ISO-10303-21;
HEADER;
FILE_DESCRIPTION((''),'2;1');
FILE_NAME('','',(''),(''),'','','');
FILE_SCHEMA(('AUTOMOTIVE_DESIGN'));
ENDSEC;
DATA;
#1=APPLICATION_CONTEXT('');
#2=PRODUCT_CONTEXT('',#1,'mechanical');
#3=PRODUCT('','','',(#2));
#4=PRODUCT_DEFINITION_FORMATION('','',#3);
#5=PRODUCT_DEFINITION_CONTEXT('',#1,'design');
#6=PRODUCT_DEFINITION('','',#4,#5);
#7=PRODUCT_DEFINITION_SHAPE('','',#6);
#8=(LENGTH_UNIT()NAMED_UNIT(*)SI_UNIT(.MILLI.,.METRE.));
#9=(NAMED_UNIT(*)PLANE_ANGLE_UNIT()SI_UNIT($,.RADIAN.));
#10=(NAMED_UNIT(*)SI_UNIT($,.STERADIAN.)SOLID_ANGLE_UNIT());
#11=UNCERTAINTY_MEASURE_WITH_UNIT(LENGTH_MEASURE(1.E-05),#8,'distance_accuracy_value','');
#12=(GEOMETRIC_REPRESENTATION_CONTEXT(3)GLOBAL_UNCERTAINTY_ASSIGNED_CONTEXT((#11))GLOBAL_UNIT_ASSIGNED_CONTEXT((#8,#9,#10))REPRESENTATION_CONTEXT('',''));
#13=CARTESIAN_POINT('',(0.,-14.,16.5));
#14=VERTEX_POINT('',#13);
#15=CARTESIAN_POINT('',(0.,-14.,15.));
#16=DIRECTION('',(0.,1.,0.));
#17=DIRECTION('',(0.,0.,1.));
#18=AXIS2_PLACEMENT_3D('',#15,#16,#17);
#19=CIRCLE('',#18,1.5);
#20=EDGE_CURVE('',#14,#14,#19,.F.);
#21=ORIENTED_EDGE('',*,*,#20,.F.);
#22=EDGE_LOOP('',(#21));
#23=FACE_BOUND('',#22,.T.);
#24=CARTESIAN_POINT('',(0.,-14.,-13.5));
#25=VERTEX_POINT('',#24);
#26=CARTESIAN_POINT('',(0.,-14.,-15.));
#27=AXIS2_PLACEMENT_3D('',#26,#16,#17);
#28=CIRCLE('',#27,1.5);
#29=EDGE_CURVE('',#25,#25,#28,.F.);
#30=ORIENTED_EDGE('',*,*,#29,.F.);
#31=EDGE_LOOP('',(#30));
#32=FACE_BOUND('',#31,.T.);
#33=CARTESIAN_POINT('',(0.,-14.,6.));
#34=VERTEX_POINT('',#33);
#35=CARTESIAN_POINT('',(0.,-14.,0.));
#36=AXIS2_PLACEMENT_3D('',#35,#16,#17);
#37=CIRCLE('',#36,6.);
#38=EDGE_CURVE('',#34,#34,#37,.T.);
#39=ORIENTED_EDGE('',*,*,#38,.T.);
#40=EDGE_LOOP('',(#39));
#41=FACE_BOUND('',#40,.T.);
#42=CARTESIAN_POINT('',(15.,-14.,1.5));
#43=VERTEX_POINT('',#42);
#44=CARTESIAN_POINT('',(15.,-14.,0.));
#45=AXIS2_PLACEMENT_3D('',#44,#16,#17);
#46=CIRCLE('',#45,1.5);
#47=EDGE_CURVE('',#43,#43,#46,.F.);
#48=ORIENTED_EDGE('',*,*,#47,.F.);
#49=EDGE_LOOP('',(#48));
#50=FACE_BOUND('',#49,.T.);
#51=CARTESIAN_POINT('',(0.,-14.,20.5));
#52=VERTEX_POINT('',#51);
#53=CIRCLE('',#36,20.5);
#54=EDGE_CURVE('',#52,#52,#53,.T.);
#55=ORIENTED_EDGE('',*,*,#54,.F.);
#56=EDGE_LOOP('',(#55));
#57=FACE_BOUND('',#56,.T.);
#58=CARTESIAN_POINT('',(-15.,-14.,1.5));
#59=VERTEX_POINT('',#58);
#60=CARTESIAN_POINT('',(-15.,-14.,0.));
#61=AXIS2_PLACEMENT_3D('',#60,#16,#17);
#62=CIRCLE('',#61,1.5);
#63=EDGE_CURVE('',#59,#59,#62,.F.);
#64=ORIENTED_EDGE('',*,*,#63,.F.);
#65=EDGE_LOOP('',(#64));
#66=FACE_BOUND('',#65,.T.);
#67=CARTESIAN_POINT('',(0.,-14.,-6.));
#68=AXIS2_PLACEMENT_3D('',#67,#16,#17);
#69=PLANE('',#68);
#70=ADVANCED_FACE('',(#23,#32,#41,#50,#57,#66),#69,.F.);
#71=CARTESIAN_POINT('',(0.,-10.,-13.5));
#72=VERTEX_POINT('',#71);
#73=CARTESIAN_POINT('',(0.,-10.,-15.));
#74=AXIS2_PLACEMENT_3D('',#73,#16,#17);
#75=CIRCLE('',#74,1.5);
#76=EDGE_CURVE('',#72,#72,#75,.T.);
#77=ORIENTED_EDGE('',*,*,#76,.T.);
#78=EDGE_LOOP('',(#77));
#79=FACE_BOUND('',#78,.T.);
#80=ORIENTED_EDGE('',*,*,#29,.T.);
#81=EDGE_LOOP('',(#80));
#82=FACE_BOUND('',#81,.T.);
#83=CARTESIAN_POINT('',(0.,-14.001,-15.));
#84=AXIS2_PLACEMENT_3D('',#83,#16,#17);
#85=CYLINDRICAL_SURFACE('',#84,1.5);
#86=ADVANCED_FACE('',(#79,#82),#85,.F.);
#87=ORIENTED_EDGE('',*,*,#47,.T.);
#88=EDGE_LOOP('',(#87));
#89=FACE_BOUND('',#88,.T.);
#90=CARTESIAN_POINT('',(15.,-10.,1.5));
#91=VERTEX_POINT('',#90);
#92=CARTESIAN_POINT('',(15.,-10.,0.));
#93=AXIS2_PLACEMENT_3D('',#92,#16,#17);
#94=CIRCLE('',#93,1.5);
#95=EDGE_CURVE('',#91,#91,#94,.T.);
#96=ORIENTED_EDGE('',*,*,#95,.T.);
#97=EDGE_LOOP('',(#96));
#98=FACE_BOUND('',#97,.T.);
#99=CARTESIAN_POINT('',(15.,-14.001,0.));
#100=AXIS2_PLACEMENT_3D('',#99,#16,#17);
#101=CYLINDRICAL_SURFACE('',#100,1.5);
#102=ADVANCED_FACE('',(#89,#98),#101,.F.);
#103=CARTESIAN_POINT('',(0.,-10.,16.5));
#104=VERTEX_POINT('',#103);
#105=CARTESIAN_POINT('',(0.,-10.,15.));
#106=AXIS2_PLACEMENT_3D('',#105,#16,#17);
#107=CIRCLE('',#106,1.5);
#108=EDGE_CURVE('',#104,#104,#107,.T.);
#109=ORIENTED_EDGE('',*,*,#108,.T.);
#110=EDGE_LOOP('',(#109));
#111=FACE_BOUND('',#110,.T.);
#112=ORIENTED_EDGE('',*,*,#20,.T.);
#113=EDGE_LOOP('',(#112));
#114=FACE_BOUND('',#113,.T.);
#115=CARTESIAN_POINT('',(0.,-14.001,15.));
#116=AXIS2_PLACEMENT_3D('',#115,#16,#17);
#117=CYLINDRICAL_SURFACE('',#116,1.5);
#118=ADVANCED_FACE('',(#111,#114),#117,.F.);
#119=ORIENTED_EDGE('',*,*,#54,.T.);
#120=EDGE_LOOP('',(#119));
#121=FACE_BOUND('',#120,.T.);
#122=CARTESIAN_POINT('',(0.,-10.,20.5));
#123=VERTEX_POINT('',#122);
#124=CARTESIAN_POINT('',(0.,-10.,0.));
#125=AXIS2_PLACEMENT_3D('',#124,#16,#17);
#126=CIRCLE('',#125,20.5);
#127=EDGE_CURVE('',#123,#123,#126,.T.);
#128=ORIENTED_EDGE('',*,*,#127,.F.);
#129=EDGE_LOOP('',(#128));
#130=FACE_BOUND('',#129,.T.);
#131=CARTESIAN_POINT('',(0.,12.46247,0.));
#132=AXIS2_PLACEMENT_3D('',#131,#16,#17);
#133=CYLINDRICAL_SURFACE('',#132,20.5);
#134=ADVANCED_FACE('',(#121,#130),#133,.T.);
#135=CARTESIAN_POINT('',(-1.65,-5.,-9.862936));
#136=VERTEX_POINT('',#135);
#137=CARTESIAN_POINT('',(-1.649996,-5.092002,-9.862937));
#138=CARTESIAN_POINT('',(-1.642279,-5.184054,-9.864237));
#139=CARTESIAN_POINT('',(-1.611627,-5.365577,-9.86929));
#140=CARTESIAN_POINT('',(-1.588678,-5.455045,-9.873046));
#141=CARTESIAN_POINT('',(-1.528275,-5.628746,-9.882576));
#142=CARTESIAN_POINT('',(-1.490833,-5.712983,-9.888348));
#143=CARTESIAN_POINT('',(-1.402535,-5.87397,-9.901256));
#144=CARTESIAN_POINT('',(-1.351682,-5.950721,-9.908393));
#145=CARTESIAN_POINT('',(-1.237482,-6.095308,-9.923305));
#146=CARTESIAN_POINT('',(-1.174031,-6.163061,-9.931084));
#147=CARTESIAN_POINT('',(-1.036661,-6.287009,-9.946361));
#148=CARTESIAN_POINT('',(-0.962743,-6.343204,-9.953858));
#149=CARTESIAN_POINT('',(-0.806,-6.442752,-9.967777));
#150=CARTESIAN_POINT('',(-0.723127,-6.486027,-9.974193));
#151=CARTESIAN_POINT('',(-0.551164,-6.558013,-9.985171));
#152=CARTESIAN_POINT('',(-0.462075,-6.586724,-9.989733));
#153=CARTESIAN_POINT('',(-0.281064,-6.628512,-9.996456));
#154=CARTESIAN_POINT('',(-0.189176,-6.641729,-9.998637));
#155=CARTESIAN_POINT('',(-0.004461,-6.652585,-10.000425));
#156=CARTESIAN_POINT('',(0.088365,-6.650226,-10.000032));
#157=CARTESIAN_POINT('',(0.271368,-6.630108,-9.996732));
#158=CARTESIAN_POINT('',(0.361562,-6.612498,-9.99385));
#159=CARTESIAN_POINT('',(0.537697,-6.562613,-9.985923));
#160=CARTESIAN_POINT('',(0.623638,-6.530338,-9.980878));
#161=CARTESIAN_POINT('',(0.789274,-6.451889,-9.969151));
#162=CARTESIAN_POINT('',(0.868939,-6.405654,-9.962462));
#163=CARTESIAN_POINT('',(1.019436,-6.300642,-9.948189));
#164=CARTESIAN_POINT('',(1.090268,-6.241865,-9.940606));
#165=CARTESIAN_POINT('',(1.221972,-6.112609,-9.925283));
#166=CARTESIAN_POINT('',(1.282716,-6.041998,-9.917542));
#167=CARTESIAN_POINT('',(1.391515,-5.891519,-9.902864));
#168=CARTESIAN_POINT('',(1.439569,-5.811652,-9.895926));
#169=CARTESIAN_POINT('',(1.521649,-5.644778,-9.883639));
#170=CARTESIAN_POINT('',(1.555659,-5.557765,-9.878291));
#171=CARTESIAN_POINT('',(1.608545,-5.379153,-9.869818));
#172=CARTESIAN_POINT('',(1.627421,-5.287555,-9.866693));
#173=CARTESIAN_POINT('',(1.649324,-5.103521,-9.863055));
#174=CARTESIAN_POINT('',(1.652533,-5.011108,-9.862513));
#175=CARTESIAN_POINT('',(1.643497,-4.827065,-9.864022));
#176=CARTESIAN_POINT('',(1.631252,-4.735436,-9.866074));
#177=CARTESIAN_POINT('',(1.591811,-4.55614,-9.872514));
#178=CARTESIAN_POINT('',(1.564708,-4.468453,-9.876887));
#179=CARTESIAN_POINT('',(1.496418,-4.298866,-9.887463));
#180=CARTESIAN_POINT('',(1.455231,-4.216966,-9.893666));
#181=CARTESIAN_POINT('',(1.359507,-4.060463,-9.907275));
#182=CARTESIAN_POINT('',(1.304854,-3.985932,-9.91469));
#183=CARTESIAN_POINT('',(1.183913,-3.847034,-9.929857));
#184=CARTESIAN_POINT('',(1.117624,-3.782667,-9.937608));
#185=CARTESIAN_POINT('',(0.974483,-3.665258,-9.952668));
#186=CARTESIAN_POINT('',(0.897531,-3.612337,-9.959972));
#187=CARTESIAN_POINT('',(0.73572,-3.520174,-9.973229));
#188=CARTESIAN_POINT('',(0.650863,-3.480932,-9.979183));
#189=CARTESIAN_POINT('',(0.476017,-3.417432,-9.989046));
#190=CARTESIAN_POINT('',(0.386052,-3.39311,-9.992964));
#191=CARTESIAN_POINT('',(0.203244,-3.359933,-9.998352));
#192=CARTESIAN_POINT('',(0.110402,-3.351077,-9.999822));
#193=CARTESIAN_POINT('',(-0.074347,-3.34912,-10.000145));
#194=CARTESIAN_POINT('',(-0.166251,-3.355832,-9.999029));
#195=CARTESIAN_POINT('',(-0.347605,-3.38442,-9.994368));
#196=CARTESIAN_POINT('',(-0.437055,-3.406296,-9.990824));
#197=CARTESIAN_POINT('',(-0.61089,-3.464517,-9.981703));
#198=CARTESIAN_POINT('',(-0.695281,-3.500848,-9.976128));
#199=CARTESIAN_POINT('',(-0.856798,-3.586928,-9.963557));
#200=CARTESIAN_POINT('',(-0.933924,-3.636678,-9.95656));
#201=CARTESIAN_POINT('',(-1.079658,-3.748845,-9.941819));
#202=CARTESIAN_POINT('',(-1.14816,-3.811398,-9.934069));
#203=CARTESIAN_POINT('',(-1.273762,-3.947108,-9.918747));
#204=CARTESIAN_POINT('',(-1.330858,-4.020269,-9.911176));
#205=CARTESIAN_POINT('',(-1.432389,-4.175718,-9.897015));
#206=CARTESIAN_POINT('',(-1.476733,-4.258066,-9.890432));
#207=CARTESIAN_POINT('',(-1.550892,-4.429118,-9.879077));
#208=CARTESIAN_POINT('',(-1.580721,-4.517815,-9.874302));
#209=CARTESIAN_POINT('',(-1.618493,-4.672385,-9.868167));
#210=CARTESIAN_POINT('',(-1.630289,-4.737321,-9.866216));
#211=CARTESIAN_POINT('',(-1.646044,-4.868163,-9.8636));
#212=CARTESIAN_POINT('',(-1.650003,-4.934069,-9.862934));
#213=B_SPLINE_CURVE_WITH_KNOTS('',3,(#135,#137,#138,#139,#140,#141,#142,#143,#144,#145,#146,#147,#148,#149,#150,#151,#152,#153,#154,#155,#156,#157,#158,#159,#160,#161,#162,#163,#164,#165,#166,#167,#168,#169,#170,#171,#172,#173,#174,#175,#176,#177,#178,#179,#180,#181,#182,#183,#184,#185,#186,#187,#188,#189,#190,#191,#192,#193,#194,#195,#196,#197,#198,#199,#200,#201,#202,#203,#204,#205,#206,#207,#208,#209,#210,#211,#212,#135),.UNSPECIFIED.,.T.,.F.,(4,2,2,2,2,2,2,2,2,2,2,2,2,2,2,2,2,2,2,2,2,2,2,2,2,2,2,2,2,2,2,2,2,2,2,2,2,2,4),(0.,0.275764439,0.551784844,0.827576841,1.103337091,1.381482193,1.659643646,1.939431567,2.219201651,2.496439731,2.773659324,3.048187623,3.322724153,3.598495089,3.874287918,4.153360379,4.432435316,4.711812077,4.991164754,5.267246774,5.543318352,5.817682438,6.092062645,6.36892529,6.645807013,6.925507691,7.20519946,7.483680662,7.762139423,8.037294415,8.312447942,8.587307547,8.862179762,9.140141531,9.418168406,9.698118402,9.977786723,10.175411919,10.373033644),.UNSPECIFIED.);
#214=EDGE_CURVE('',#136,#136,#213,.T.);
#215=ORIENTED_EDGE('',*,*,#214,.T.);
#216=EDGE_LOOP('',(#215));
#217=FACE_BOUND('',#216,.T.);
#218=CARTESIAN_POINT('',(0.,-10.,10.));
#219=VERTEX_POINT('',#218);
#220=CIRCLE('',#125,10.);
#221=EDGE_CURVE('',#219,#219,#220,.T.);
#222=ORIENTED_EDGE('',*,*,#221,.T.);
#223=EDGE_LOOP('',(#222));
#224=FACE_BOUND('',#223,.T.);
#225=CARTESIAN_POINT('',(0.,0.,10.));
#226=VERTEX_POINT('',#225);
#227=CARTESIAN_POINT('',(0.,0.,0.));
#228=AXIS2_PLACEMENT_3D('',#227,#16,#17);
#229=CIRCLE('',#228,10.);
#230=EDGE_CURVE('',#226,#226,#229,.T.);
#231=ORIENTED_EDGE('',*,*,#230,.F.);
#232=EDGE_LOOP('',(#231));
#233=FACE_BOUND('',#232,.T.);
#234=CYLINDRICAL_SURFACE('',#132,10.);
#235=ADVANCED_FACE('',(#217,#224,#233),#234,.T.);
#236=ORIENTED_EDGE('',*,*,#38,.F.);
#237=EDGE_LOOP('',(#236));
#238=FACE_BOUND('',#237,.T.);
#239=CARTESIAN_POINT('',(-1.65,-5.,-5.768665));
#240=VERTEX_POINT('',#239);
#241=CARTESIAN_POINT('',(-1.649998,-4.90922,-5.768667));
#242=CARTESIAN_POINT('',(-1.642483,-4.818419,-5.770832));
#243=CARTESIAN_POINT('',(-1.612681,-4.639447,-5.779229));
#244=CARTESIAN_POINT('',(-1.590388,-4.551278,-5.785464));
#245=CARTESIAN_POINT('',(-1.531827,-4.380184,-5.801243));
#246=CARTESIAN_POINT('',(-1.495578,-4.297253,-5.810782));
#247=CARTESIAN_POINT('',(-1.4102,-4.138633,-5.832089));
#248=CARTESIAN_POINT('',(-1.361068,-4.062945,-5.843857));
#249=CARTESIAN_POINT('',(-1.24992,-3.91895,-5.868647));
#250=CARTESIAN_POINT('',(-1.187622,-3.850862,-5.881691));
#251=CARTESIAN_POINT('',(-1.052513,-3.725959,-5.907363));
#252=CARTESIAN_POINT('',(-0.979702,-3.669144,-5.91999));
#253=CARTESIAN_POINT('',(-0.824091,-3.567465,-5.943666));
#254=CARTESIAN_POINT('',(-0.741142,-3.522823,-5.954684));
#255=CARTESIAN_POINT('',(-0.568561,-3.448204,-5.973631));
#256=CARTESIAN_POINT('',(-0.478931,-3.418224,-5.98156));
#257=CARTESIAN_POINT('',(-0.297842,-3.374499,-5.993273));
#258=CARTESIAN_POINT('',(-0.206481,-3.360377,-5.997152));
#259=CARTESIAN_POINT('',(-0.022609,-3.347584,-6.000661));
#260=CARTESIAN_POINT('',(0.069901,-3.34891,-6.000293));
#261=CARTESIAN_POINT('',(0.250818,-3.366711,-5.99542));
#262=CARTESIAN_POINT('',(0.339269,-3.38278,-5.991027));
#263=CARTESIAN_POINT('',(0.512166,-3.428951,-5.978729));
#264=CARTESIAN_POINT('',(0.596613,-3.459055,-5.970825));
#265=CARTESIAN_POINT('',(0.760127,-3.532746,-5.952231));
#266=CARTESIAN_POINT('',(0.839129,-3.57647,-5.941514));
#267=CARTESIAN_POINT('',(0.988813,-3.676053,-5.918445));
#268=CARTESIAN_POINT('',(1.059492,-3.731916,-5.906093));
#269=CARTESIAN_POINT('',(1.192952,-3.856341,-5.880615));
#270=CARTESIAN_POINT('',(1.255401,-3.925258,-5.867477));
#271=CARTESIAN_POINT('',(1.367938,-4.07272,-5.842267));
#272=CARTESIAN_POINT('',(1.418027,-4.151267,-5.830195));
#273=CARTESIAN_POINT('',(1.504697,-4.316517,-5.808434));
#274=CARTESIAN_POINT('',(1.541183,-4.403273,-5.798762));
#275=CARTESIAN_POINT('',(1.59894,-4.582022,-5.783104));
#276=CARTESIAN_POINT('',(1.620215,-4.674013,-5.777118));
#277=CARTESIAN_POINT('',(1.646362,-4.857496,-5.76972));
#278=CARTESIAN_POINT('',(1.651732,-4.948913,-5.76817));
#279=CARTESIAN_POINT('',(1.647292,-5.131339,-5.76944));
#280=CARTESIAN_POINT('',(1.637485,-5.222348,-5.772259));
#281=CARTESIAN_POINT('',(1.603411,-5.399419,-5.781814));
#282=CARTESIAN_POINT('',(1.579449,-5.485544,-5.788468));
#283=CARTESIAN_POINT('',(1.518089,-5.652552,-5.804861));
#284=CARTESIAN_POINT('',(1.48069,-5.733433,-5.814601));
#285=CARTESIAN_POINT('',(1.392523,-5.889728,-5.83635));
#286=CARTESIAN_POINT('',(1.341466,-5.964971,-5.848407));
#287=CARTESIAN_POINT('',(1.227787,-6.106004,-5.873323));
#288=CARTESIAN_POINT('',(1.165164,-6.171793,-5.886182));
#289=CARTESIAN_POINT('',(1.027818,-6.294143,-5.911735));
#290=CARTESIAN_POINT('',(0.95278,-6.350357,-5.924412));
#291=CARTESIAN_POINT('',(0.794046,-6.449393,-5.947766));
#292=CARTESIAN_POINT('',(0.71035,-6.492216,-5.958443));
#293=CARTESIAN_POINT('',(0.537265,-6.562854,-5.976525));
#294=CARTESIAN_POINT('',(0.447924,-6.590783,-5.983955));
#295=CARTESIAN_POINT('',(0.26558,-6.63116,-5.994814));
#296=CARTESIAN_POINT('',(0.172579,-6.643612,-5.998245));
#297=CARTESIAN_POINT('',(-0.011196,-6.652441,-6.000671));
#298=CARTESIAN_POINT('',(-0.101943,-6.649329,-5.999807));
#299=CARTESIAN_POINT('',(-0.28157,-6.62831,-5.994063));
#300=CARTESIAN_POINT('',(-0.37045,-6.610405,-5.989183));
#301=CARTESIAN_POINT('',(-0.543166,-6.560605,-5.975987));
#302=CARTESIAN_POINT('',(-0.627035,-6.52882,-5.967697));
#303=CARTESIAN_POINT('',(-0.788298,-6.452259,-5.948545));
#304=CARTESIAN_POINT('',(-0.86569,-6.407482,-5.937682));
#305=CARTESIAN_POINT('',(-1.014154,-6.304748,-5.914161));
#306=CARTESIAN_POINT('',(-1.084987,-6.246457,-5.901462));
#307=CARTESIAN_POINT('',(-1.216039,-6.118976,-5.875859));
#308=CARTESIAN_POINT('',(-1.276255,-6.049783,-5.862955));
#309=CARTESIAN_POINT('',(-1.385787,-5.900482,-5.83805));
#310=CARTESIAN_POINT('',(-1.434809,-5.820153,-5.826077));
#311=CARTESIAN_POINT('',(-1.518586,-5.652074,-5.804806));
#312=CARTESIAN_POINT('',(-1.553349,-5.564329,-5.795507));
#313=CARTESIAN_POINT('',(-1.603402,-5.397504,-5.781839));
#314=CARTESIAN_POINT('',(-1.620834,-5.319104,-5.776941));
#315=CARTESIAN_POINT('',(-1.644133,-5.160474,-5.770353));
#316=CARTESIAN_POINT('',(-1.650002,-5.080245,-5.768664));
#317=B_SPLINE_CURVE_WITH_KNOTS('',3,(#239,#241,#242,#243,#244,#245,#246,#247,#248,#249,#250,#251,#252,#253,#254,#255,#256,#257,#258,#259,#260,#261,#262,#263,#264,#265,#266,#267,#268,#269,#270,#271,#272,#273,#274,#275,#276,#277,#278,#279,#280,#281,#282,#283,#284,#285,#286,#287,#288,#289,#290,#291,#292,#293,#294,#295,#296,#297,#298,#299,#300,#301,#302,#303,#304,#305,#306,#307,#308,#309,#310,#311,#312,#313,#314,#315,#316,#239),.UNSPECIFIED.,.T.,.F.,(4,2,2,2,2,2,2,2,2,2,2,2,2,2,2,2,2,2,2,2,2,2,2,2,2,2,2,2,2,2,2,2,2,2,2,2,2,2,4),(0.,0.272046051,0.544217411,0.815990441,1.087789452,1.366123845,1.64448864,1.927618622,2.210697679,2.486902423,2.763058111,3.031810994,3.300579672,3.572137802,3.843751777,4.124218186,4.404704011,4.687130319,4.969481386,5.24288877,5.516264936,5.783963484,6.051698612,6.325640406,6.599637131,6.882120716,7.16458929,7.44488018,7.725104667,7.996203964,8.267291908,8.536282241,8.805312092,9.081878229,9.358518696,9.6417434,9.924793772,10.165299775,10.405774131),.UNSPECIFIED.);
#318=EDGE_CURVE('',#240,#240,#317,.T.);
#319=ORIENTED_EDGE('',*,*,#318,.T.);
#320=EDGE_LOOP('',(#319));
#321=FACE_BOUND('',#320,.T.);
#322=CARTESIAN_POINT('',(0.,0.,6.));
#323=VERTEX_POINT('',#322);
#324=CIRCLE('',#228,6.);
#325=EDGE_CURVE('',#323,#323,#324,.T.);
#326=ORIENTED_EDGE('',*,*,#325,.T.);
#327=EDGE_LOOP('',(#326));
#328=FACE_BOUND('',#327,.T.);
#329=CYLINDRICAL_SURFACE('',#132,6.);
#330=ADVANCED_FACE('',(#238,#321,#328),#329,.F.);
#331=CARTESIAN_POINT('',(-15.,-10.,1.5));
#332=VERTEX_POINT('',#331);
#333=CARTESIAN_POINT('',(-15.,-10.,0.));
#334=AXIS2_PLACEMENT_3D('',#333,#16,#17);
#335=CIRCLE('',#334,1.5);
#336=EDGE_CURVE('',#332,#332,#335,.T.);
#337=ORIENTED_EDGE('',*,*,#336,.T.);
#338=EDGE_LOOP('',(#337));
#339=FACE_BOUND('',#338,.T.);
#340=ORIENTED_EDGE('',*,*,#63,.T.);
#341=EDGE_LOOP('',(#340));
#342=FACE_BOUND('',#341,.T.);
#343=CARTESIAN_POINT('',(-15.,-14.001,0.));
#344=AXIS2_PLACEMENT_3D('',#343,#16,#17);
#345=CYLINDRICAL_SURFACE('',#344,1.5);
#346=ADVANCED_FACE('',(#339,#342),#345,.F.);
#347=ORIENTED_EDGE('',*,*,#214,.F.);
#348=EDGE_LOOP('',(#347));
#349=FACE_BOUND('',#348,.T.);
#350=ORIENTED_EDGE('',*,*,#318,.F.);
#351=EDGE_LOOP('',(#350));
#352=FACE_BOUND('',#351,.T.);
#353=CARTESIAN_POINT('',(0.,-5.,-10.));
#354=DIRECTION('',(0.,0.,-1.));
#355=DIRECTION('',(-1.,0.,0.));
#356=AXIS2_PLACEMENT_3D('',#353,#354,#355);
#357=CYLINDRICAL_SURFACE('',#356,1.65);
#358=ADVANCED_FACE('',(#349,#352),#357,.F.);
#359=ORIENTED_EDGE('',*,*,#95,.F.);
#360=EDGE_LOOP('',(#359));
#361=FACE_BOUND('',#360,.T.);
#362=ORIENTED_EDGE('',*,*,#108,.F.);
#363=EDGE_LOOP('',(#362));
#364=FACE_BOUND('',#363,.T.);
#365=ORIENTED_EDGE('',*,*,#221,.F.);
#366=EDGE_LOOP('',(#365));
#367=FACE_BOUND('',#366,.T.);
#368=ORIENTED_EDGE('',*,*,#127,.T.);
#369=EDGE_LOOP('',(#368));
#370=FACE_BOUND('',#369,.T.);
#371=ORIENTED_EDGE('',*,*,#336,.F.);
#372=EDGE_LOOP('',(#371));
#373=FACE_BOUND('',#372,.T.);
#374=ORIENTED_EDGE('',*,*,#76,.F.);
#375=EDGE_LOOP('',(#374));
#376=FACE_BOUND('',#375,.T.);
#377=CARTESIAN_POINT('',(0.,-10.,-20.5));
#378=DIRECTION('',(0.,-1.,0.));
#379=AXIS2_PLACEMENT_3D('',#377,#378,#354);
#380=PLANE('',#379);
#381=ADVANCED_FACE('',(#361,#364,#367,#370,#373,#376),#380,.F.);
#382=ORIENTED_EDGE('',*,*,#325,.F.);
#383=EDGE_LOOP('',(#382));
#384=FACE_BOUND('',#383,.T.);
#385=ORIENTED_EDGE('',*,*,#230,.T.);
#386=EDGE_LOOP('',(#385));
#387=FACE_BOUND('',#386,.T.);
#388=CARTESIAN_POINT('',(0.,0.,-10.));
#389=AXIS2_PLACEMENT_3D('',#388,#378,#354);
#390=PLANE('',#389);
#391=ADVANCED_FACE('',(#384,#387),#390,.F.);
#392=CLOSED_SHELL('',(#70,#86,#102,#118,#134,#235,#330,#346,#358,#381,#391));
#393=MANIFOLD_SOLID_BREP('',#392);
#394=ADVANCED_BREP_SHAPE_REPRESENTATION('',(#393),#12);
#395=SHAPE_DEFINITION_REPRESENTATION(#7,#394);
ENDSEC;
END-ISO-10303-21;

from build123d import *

# Parameters (mm, degrees)
CUT_EXTRUDE1_REACH     = 32.668
SKETCH4_R              = 1.5
M4_TAPPED_HOLE1_REACH  = 39.835
M4_TAPPED_HOLE1_BORE_R = 1.65


with BuildPart() as part:
    # Sketch1 → Revolve1 (revolve)
    with BuildSketch(Plane(origin=(0, 0, 0), x_dir=(0, 0, -1), z_dir=(1, 0, 0)), mode=Mode.PRIVATE) as revolve1_sk:
        Polygon((6, 0), (6, -14), (20.5, -14), (20.5, -10), (10, -10), (10, 0), align=None)
    revolve(revolve1_sk.sketch.rotate(Axis((0, 12.462470437, 0), (0, -1, 0)), 180), axis=Axis((0, 12.462470437, 0), (0, -1, 0)))

    # Sketch4 → Cut-Extrude1 (cut, up to next)
    with BuildSketch(Plane(origin=(0, -10, 0), x_dir=(1, 0, 0), z_dir=(0, 1, 0)), mode=Mode.PRIVATE) as cut_extrude1_sk1:
        with Locations(Location((0, 15, 0), (0, 0, 270))):
            Circle(SKETCH4_R)
    cut_extrude1_tool1 = extrude(cut_extrude1_sk1.sketch, amount=-CUT_EXTRUDE1_REACH, mode=Mode.PRIVATE) & part.part
    # Sketch4 → Cut-Extrude1 (cut, up to next)
    with BuildSketch(Plane(origin=(0, -10, 0), x_dir=(1, 0, 0), z_dir=(0, 1, 0)), mode=Mode.PRIVATE) as cut_extrude1_sk2:
        with Locations(Location((15, 0, 0), (0, 0, 270))):
            Circle(SKETCH4_R)
    cut_extrude1_tool2 = extrude(cut_extrude1_sk2.sketch, amount=-CUT_EXTRUDE1_REACH, mode=Mode.PRIVATE) & part.part
    # Sketch4 → Cut-Extrude1 (cut, up to next)
    with BuildSketch(Plane(origin=(0, -10, 0), x_dir=(1, 0, 0), z_dir=(0, 1, 0)), mode=Mode.PRIVATE) as cut_extrude1_sk3:
        with Locations(Location((0, -15, 0), (0, 0, 270))):
            Circle(SKETCH4_R)
    cut_extrude1_tool3 = extrude(cut_extrude1_sk3.sketch, amount=-CUT_EXTRUDE1_REACH, mode=Mode.PRIVATE) & part.part
    # Sketch4 → Cut-Extrude1 (cut, up to next)
    with BuildSketch(Plane(origin=(0, -10, 0), x_dir=(1, 0, 0), z_dir=(0, 1, 0)), mode=Mode.PRIVATE) as cut_extrude1_sk4:
        with Locations(Location((-15, 0, 0), (0, 0, 270))):
            Circle(SKETCH4_R)
    cut_extrude1_tool4 = extrude(cut_extrude1_sk4.sketch, amount=-CUT_EXTRUDE1_REACH, mode=Mode.PRIVATE) & part.part
    add(cut_extrude1_tool1.solids().sort_by_distance((0, -10, -15))[0], mode=Mode.SUBTRACT)
    add(cut_extrude1_tool2.solids().sort_by_distance((15, -10, 0))[0], mode=Mode.SUBTRACT)
    add(cut_extrude1_tool3.solids().sort_by_distance((0, -10, 15))[0], mode=Mode.SUBTRACT)
    add(cut_extrude1_tool4.solids().sort_by_distance((-15, -10, 0))[0], mode=Mode.SUBTRACT)

    # M4 Tapped Hole1 bore (on position points) → M4 Tapped Hole1 (cut, up to next)
    with BuildSketch(Plane(origin=(0, -5, -10), x_dir=(-1, 0, 0), z_dir=(0, 0, -1)), mode=Mode.PRIVATE) as m4_tapped_hole1_sk1:
        Circle(M4_TAPPED_HOLE1_BORE_R)
    m4_tapped_hole1_tool1 = extrude(m4_tapped_hole1_sk1.sketch, amount=-M4_TAPPED_HOLE1_REACH, mode=Mode.PRIVATE) & part.part
    add(m4_tapped_hole1_tool1.solids().sort_by_distance((0, -5, -10))[0], mode=Mode.SUBTRACT)


solid = part.part
